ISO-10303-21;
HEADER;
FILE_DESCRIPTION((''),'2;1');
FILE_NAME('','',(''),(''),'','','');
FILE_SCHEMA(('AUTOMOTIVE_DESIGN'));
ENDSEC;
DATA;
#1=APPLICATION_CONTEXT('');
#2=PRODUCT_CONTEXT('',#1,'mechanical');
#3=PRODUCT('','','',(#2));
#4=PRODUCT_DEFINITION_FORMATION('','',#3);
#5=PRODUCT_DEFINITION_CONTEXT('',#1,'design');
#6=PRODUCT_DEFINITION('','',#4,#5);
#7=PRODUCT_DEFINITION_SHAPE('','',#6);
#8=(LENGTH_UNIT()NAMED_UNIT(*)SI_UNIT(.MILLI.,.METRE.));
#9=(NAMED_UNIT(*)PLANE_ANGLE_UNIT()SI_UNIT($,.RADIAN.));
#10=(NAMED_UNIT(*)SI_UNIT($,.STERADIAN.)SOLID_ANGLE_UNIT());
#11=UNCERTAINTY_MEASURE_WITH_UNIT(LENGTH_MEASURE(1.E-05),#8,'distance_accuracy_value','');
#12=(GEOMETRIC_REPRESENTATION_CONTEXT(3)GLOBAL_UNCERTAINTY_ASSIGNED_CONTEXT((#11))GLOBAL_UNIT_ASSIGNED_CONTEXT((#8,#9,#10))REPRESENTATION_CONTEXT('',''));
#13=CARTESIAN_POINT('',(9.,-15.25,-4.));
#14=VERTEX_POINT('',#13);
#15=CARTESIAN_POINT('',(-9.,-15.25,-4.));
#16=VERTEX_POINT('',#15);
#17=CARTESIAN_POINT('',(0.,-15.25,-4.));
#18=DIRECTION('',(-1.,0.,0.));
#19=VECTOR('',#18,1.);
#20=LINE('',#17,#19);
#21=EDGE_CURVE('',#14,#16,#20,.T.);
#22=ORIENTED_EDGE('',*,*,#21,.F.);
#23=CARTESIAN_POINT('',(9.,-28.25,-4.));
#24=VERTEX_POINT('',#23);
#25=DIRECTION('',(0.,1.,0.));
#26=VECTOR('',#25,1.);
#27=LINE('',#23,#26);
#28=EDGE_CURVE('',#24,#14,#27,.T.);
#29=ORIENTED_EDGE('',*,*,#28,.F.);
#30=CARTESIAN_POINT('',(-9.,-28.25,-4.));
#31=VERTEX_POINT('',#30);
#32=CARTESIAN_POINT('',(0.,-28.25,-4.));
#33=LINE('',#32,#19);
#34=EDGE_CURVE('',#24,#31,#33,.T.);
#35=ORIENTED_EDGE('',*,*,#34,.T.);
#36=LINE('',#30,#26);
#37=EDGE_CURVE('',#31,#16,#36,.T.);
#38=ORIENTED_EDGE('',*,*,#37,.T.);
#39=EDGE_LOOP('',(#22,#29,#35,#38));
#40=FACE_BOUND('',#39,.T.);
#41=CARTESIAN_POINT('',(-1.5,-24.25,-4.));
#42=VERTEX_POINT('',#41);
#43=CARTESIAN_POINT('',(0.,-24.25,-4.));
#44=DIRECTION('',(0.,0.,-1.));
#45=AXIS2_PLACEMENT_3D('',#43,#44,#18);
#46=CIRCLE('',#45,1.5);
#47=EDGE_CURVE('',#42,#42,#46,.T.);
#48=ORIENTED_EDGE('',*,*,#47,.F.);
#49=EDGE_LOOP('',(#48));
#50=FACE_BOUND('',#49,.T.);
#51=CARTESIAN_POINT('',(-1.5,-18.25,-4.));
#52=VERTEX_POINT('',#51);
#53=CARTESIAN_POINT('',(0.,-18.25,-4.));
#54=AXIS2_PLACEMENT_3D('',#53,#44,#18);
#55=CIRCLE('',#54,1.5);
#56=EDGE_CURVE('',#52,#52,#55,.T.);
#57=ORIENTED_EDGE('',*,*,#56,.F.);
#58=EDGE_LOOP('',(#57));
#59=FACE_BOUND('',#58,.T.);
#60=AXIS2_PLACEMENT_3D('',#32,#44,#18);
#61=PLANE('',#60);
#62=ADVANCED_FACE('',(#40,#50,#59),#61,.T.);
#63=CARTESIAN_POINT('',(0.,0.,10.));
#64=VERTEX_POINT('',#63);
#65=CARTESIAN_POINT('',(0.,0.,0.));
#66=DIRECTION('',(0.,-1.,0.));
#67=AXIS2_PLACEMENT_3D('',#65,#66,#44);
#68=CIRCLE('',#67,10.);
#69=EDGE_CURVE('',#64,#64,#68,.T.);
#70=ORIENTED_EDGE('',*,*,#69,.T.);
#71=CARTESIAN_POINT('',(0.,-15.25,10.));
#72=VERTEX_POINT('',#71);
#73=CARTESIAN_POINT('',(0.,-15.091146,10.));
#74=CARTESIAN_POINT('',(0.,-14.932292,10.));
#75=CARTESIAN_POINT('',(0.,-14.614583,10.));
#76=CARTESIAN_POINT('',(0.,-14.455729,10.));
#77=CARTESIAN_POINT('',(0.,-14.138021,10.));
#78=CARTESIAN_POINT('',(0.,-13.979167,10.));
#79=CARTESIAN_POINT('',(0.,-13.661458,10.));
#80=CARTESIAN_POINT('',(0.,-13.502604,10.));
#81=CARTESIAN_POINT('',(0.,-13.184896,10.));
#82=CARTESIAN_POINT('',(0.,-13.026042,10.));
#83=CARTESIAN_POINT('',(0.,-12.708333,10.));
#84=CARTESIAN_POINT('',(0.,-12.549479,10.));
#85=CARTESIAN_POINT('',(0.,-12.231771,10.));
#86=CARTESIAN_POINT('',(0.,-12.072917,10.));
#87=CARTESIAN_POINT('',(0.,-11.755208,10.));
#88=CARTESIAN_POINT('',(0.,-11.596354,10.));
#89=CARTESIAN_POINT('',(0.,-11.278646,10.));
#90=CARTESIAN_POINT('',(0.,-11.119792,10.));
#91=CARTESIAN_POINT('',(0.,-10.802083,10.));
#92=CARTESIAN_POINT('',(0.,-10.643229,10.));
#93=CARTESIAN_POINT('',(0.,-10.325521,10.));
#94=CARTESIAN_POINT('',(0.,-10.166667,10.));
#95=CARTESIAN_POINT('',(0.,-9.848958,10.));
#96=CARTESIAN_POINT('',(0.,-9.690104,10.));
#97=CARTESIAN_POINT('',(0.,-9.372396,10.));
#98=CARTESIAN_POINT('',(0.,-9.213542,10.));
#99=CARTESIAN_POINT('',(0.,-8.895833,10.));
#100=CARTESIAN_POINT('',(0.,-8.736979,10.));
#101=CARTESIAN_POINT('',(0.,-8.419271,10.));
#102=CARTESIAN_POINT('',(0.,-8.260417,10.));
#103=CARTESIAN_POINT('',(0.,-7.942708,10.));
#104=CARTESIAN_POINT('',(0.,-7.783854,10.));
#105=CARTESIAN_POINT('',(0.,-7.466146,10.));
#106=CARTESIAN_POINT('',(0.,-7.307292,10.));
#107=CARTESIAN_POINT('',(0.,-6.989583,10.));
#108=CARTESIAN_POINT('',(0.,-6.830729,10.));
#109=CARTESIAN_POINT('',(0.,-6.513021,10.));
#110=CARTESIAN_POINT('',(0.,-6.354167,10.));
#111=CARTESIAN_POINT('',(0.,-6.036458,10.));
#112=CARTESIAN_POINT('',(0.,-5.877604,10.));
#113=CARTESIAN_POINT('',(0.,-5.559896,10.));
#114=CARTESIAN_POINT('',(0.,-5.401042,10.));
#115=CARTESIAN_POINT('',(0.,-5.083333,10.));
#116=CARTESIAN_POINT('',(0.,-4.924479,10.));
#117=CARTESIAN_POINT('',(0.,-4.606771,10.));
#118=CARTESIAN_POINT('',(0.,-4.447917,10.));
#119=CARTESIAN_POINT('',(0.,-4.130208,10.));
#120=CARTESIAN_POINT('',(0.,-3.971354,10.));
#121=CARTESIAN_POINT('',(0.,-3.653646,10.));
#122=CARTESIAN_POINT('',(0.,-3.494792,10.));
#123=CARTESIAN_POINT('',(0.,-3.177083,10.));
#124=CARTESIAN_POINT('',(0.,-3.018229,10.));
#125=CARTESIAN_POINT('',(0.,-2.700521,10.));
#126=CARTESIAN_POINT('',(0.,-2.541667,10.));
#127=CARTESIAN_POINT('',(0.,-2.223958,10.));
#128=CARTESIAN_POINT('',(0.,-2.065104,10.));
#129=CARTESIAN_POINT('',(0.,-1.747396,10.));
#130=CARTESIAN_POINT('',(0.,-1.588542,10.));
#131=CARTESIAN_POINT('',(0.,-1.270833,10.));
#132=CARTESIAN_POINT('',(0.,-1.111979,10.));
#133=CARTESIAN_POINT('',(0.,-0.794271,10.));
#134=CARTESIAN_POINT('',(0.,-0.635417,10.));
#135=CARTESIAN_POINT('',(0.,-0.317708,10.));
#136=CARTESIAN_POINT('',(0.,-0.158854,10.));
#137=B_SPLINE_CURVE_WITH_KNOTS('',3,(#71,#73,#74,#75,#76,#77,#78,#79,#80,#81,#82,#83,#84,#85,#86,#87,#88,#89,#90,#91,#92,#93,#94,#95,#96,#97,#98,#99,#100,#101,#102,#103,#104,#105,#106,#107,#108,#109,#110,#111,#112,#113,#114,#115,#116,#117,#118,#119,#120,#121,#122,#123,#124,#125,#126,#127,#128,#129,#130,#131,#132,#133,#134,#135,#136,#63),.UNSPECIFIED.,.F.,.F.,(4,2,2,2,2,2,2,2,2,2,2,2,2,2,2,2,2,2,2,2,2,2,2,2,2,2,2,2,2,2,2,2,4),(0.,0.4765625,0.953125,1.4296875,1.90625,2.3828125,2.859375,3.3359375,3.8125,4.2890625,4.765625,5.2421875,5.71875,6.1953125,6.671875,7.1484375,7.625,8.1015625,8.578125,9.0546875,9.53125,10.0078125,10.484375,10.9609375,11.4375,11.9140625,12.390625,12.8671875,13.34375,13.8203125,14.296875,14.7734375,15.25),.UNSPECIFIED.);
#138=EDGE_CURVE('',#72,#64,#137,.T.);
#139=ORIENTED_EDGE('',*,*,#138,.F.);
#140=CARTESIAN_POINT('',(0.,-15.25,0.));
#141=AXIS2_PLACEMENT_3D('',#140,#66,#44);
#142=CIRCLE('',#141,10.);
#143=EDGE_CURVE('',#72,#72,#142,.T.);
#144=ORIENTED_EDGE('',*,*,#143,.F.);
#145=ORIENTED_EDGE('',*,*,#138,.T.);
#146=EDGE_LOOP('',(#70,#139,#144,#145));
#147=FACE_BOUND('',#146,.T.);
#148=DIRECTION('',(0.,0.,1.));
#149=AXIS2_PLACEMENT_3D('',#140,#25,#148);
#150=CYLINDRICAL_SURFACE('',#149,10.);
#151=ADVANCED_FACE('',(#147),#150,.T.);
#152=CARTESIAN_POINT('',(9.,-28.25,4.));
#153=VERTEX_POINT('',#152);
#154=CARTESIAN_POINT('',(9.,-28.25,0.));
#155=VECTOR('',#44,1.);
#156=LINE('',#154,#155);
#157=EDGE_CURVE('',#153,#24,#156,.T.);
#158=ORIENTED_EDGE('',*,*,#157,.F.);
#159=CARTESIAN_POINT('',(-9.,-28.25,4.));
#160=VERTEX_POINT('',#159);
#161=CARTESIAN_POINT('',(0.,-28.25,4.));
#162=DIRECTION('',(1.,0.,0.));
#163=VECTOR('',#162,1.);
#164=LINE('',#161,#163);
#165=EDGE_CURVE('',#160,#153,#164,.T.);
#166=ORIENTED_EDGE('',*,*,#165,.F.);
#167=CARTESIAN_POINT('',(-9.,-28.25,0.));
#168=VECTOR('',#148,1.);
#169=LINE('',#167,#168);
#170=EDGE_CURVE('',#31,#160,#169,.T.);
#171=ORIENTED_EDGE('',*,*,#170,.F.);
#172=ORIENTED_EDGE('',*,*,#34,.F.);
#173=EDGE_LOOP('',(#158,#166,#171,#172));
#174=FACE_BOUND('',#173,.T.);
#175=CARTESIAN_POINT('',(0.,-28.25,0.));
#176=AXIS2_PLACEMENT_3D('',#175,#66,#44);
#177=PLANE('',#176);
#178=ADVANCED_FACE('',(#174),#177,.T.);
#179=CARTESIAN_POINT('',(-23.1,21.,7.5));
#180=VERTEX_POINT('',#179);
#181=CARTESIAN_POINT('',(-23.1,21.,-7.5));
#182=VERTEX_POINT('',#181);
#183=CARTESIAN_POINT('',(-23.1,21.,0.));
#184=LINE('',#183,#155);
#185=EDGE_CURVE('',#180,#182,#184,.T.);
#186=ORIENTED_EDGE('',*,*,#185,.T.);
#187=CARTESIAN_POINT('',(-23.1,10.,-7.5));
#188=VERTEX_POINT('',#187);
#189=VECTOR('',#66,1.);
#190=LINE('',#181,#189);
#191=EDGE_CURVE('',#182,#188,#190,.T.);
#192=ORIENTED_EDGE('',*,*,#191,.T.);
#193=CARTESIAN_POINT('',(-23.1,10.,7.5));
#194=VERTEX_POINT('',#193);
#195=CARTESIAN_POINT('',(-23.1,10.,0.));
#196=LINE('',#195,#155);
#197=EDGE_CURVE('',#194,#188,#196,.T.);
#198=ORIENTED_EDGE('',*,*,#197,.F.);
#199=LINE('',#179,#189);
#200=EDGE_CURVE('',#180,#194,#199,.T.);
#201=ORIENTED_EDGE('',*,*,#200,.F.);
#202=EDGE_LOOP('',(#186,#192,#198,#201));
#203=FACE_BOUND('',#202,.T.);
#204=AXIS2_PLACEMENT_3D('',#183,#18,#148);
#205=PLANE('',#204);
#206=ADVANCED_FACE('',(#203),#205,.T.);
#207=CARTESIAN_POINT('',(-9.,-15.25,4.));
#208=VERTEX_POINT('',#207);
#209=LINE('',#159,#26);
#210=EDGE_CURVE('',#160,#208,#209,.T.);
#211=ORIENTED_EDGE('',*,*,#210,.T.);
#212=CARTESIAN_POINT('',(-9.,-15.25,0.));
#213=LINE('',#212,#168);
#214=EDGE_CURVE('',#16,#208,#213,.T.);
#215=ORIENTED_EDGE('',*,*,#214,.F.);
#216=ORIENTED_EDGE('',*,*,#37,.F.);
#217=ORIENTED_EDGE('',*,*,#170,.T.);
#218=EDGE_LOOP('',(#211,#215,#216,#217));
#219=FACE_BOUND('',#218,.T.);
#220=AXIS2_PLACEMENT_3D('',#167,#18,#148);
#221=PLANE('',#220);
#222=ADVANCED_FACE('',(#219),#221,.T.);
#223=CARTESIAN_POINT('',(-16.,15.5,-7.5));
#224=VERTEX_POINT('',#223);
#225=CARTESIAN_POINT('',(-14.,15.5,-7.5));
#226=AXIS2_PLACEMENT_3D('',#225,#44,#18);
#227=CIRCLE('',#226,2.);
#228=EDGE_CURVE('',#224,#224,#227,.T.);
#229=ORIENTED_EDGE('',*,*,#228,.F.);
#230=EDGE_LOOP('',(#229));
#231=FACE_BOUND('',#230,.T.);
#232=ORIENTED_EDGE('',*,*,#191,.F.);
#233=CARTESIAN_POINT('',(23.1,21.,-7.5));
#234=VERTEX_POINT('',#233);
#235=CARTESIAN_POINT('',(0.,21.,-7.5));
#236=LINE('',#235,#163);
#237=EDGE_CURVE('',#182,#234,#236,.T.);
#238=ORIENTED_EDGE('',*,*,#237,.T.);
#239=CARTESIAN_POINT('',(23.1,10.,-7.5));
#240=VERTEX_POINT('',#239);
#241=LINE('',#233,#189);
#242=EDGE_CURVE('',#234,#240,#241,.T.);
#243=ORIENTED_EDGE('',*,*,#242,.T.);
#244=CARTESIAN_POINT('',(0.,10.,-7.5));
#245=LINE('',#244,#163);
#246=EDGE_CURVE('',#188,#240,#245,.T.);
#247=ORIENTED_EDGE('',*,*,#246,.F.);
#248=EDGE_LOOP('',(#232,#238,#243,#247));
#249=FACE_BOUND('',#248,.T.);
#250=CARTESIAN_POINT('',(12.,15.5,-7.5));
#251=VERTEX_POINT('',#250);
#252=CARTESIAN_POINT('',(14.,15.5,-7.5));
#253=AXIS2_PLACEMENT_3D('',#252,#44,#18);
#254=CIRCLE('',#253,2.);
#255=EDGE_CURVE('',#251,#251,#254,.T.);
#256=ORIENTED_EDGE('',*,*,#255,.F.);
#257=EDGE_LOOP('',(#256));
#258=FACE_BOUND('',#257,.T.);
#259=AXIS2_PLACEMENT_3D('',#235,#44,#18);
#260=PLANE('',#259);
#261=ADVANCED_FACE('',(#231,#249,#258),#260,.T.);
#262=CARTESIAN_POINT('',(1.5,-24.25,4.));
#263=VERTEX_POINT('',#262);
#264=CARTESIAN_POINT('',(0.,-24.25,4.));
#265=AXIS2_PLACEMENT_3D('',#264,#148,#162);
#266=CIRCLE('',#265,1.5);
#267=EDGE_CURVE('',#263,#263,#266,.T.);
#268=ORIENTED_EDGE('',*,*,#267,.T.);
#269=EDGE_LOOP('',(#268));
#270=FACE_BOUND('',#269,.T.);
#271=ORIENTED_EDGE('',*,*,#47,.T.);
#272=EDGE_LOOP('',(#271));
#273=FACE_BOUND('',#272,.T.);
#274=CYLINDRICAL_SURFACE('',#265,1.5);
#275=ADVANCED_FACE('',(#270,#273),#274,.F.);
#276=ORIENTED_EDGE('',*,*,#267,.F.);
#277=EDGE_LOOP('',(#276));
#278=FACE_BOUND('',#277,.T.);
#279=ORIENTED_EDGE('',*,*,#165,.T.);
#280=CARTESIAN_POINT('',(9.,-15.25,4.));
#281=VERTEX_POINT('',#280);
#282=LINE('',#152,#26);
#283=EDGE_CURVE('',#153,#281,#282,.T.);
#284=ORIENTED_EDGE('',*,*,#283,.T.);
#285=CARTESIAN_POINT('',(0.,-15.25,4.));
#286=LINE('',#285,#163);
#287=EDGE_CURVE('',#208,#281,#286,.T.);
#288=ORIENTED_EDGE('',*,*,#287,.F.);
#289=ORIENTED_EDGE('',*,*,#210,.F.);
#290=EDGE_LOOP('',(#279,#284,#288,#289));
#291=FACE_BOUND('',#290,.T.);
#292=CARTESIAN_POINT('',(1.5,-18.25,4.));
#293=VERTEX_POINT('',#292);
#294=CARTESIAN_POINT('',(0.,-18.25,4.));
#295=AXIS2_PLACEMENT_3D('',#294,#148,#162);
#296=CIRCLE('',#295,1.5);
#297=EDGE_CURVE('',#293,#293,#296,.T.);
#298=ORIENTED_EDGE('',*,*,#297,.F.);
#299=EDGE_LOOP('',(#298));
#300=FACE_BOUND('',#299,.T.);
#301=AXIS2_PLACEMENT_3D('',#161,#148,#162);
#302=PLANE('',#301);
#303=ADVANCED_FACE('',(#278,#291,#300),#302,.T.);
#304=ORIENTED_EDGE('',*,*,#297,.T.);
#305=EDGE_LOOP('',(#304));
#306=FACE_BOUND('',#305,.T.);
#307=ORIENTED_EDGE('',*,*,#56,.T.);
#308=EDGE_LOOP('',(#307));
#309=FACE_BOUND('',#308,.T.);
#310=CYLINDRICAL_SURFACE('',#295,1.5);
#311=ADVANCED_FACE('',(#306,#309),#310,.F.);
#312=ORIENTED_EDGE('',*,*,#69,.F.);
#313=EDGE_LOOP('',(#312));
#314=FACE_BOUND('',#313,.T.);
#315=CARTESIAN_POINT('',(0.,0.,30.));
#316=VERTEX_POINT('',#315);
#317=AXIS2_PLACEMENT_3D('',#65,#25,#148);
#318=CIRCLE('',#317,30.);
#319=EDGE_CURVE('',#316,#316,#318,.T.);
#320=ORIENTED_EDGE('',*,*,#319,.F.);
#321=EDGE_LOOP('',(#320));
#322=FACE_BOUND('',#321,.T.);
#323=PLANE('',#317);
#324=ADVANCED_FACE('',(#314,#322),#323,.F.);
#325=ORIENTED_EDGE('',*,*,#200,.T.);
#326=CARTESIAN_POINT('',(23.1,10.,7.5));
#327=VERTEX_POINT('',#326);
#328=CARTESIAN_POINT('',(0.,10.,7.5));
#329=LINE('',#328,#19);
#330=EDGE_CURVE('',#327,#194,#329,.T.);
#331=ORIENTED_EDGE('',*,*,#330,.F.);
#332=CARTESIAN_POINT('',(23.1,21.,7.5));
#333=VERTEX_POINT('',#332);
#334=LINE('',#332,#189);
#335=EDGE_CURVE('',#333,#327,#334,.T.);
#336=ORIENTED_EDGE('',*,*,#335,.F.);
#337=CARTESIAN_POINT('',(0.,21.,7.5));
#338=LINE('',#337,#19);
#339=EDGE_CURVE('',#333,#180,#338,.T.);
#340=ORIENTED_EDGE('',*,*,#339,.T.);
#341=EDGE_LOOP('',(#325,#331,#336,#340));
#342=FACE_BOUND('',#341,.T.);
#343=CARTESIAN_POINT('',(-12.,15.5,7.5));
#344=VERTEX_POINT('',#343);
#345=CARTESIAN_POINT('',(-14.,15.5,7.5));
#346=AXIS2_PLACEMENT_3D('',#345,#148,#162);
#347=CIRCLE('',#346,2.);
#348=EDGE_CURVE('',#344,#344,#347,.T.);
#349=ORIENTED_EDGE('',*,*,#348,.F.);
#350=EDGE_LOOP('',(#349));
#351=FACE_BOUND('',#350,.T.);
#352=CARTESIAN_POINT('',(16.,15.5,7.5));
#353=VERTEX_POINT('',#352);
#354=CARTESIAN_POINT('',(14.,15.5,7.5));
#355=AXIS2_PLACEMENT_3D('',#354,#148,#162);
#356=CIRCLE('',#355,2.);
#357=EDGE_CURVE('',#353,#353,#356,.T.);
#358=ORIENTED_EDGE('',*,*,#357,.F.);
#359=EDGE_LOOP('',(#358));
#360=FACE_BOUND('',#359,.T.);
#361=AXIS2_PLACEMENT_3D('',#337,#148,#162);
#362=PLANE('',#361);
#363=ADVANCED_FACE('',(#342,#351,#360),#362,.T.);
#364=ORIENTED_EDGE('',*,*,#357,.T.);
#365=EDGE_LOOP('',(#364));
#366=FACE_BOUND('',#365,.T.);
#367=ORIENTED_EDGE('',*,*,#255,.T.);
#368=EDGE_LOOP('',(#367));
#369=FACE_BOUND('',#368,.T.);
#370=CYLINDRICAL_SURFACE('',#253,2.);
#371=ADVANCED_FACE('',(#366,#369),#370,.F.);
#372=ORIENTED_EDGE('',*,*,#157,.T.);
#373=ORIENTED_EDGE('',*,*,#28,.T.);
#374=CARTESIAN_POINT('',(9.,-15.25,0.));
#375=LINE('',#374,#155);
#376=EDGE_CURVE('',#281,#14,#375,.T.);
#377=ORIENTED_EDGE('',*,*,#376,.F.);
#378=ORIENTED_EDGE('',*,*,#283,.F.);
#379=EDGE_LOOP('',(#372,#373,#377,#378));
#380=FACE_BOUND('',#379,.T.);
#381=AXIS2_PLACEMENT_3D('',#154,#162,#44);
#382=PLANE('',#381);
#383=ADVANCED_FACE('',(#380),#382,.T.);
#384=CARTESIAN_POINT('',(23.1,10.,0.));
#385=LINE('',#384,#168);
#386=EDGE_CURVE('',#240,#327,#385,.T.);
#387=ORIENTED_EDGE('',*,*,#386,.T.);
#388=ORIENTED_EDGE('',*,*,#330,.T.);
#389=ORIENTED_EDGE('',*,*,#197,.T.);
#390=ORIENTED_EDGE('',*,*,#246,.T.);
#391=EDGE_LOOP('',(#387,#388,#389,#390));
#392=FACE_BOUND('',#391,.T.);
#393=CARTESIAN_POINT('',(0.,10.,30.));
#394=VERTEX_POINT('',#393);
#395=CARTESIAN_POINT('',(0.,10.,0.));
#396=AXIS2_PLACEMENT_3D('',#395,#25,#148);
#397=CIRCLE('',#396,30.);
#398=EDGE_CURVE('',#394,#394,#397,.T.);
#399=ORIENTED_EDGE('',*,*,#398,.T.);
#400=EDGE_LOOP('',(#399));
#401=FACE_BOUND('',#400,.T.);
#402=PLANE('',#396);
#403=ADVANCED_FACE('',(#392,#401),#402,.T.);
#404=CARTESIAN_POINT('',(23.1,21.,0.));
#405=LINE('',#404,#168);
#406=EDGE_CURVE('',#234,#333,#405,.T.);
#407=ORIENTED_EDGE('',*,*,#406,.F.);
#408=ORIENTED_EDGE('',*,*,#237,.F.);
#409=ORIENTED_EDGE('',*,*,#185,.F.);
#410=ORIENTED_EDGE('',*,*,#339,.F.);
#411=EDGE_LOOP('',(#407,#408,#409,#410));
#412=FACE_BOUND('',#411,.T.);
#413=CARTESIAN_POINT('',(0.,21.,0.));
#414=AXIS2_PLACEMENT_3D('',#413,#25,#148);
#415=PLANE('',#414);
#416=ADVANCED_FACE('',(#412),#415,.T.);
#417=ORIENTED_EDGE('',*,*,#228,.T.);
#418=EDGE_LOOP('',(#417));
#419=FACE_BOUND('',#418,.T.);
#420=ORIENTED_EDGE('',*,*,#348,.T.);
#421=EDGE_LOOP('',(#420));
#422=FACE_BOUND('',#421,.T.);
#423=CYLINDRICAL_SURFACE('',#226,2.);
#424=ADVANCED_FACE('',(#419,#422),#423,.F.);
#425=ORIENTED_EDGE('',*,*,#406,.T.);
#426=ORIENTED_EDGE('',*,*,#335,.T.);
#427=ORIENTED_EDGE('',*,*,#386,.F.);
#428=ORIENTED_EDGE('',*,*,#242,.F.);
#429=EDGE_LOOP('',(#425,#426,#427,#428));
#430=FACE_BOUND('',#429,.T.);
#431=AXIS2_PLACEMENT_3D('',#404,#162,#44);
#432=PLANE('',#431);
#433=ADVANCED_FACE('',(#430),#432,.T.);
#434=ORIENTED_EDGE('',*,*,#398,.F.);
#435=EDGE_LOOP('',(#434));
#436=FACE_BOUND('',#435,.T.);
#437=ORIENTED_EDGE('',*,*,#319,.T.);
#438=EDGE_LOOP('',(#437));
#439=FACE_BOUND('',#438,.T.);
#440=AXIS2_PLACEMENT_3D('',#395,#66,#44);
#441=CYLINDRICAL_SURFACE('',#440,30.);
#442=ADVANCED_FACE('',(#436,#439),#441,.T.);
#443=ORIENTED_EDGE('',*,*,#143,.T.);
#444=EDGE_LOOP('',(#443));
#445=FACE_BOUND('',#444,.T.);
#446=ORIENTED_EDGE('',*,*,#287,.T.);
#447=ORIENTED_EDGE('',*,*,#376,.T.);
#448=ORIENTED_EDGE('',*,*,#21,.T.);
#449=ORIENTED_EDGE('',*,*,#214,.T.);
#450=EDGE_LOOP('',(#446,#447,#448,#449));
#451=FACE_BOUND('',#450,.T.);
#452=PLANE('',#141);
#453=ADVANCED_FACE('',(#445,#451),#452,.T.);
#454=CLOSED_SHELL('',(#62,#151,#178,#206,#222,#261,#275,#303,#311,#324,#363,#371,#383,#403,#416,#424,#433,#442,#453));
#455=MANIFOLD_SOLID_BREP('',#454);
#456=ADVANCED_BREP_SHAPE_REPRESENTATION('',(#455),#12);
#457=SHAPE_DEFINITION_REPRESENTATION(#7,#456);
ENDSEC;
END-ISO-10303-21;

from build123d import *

# Parameters (mm, degrees)
SKETCH1_R                = 30
BOSS_EXTRUDE1_DEPTH      = 10
SKETCH2_R                = 10
BOSS_EXTRUDE2_DEPTH      = 15.25
BOSS_EXTRUDE3_DEPTH      = 13
F_3_0_3_DIAMETER_HOLE1_D = 3
BOSS_EXTRUDE4_DEPTH      = 11
F_4_0_4_DIAMETER_HOLE1_D = 4


with BuildPart() as part:
    # Sketch1 → Boss-Extrude1 (new body)
    with BuildSketch(Plane(origin=(0, 0, 0), x_dir=(1, 0, 0), z_dir=(0, 1, 0))):
        with Locations(Location((0, 0, 0), (0, 0, 270))):
            Circle(SKETCH1_R)
    extrude(amount=BOSS_EXTRUDE1_DEPTH)

    # Sketch2 → Boss-Extrude2 (add)
    with BuildSketch(Plane(origin=(0, 0, 0), x_dir=(-1, 0, 0), z_dir=(0, -1, 0))):
        with Locations(Location((0, 0, 0), (0, 0, 270))):
            Circle(SKETCH2_R)
    extrude(amount=BOSS_EXTRUDE2_DEPTH)

    # Sketch3 → Boss-Extrude3 (add)
    with BuildSketch(Plane(origin=(0, -15.25, 0), x_dir=(-1, 0, 0), z_dir=(0, -1, 0))):
        Polygon((-9, 4), (-9, 0), (-9, -4), (9, -4), (9, 4), align=None)
    extrude(amount=BOSS_EXTRUDE3_DEPTH)

    # Ø3.0 (3) Diameter Hole1 (through all)
    with Locations(Plane.XY.offset(4)):
        with Locations((0, -24.25), (0, -18.25)):
            Hole(F_3_0_3_DIAMETER_HOLE1_D / 2)

    # Sketch8 → Boss-Extrude4 (add)
    with BuildSketch(Plane(origin=(0, 10, 0), x_dir=(1, 0, 0), z_dir=(0, 1, 0))):
        Polygon((-23.1, -7.5), (-23.1, 0), (-23.1, 7.5), (23.1, 7.5), (23.1, -7.5), align=None)
    extrude(amount=BOSS_EXTRUDE4_DEPTH)

    # Ø4.0 (4) Diameter Hole1 (through all)
    with Locations(Plane(origin=(0, 0, -7.5), x_dir=(-1, 0, 0), z_dir=(0, 0, -1))):
        with Locations((-14, 15.5), (14, 15.5)):
            Hole(F_4_0_4_DIAMETER_HOLE1_D / 2)


solid = part.part
